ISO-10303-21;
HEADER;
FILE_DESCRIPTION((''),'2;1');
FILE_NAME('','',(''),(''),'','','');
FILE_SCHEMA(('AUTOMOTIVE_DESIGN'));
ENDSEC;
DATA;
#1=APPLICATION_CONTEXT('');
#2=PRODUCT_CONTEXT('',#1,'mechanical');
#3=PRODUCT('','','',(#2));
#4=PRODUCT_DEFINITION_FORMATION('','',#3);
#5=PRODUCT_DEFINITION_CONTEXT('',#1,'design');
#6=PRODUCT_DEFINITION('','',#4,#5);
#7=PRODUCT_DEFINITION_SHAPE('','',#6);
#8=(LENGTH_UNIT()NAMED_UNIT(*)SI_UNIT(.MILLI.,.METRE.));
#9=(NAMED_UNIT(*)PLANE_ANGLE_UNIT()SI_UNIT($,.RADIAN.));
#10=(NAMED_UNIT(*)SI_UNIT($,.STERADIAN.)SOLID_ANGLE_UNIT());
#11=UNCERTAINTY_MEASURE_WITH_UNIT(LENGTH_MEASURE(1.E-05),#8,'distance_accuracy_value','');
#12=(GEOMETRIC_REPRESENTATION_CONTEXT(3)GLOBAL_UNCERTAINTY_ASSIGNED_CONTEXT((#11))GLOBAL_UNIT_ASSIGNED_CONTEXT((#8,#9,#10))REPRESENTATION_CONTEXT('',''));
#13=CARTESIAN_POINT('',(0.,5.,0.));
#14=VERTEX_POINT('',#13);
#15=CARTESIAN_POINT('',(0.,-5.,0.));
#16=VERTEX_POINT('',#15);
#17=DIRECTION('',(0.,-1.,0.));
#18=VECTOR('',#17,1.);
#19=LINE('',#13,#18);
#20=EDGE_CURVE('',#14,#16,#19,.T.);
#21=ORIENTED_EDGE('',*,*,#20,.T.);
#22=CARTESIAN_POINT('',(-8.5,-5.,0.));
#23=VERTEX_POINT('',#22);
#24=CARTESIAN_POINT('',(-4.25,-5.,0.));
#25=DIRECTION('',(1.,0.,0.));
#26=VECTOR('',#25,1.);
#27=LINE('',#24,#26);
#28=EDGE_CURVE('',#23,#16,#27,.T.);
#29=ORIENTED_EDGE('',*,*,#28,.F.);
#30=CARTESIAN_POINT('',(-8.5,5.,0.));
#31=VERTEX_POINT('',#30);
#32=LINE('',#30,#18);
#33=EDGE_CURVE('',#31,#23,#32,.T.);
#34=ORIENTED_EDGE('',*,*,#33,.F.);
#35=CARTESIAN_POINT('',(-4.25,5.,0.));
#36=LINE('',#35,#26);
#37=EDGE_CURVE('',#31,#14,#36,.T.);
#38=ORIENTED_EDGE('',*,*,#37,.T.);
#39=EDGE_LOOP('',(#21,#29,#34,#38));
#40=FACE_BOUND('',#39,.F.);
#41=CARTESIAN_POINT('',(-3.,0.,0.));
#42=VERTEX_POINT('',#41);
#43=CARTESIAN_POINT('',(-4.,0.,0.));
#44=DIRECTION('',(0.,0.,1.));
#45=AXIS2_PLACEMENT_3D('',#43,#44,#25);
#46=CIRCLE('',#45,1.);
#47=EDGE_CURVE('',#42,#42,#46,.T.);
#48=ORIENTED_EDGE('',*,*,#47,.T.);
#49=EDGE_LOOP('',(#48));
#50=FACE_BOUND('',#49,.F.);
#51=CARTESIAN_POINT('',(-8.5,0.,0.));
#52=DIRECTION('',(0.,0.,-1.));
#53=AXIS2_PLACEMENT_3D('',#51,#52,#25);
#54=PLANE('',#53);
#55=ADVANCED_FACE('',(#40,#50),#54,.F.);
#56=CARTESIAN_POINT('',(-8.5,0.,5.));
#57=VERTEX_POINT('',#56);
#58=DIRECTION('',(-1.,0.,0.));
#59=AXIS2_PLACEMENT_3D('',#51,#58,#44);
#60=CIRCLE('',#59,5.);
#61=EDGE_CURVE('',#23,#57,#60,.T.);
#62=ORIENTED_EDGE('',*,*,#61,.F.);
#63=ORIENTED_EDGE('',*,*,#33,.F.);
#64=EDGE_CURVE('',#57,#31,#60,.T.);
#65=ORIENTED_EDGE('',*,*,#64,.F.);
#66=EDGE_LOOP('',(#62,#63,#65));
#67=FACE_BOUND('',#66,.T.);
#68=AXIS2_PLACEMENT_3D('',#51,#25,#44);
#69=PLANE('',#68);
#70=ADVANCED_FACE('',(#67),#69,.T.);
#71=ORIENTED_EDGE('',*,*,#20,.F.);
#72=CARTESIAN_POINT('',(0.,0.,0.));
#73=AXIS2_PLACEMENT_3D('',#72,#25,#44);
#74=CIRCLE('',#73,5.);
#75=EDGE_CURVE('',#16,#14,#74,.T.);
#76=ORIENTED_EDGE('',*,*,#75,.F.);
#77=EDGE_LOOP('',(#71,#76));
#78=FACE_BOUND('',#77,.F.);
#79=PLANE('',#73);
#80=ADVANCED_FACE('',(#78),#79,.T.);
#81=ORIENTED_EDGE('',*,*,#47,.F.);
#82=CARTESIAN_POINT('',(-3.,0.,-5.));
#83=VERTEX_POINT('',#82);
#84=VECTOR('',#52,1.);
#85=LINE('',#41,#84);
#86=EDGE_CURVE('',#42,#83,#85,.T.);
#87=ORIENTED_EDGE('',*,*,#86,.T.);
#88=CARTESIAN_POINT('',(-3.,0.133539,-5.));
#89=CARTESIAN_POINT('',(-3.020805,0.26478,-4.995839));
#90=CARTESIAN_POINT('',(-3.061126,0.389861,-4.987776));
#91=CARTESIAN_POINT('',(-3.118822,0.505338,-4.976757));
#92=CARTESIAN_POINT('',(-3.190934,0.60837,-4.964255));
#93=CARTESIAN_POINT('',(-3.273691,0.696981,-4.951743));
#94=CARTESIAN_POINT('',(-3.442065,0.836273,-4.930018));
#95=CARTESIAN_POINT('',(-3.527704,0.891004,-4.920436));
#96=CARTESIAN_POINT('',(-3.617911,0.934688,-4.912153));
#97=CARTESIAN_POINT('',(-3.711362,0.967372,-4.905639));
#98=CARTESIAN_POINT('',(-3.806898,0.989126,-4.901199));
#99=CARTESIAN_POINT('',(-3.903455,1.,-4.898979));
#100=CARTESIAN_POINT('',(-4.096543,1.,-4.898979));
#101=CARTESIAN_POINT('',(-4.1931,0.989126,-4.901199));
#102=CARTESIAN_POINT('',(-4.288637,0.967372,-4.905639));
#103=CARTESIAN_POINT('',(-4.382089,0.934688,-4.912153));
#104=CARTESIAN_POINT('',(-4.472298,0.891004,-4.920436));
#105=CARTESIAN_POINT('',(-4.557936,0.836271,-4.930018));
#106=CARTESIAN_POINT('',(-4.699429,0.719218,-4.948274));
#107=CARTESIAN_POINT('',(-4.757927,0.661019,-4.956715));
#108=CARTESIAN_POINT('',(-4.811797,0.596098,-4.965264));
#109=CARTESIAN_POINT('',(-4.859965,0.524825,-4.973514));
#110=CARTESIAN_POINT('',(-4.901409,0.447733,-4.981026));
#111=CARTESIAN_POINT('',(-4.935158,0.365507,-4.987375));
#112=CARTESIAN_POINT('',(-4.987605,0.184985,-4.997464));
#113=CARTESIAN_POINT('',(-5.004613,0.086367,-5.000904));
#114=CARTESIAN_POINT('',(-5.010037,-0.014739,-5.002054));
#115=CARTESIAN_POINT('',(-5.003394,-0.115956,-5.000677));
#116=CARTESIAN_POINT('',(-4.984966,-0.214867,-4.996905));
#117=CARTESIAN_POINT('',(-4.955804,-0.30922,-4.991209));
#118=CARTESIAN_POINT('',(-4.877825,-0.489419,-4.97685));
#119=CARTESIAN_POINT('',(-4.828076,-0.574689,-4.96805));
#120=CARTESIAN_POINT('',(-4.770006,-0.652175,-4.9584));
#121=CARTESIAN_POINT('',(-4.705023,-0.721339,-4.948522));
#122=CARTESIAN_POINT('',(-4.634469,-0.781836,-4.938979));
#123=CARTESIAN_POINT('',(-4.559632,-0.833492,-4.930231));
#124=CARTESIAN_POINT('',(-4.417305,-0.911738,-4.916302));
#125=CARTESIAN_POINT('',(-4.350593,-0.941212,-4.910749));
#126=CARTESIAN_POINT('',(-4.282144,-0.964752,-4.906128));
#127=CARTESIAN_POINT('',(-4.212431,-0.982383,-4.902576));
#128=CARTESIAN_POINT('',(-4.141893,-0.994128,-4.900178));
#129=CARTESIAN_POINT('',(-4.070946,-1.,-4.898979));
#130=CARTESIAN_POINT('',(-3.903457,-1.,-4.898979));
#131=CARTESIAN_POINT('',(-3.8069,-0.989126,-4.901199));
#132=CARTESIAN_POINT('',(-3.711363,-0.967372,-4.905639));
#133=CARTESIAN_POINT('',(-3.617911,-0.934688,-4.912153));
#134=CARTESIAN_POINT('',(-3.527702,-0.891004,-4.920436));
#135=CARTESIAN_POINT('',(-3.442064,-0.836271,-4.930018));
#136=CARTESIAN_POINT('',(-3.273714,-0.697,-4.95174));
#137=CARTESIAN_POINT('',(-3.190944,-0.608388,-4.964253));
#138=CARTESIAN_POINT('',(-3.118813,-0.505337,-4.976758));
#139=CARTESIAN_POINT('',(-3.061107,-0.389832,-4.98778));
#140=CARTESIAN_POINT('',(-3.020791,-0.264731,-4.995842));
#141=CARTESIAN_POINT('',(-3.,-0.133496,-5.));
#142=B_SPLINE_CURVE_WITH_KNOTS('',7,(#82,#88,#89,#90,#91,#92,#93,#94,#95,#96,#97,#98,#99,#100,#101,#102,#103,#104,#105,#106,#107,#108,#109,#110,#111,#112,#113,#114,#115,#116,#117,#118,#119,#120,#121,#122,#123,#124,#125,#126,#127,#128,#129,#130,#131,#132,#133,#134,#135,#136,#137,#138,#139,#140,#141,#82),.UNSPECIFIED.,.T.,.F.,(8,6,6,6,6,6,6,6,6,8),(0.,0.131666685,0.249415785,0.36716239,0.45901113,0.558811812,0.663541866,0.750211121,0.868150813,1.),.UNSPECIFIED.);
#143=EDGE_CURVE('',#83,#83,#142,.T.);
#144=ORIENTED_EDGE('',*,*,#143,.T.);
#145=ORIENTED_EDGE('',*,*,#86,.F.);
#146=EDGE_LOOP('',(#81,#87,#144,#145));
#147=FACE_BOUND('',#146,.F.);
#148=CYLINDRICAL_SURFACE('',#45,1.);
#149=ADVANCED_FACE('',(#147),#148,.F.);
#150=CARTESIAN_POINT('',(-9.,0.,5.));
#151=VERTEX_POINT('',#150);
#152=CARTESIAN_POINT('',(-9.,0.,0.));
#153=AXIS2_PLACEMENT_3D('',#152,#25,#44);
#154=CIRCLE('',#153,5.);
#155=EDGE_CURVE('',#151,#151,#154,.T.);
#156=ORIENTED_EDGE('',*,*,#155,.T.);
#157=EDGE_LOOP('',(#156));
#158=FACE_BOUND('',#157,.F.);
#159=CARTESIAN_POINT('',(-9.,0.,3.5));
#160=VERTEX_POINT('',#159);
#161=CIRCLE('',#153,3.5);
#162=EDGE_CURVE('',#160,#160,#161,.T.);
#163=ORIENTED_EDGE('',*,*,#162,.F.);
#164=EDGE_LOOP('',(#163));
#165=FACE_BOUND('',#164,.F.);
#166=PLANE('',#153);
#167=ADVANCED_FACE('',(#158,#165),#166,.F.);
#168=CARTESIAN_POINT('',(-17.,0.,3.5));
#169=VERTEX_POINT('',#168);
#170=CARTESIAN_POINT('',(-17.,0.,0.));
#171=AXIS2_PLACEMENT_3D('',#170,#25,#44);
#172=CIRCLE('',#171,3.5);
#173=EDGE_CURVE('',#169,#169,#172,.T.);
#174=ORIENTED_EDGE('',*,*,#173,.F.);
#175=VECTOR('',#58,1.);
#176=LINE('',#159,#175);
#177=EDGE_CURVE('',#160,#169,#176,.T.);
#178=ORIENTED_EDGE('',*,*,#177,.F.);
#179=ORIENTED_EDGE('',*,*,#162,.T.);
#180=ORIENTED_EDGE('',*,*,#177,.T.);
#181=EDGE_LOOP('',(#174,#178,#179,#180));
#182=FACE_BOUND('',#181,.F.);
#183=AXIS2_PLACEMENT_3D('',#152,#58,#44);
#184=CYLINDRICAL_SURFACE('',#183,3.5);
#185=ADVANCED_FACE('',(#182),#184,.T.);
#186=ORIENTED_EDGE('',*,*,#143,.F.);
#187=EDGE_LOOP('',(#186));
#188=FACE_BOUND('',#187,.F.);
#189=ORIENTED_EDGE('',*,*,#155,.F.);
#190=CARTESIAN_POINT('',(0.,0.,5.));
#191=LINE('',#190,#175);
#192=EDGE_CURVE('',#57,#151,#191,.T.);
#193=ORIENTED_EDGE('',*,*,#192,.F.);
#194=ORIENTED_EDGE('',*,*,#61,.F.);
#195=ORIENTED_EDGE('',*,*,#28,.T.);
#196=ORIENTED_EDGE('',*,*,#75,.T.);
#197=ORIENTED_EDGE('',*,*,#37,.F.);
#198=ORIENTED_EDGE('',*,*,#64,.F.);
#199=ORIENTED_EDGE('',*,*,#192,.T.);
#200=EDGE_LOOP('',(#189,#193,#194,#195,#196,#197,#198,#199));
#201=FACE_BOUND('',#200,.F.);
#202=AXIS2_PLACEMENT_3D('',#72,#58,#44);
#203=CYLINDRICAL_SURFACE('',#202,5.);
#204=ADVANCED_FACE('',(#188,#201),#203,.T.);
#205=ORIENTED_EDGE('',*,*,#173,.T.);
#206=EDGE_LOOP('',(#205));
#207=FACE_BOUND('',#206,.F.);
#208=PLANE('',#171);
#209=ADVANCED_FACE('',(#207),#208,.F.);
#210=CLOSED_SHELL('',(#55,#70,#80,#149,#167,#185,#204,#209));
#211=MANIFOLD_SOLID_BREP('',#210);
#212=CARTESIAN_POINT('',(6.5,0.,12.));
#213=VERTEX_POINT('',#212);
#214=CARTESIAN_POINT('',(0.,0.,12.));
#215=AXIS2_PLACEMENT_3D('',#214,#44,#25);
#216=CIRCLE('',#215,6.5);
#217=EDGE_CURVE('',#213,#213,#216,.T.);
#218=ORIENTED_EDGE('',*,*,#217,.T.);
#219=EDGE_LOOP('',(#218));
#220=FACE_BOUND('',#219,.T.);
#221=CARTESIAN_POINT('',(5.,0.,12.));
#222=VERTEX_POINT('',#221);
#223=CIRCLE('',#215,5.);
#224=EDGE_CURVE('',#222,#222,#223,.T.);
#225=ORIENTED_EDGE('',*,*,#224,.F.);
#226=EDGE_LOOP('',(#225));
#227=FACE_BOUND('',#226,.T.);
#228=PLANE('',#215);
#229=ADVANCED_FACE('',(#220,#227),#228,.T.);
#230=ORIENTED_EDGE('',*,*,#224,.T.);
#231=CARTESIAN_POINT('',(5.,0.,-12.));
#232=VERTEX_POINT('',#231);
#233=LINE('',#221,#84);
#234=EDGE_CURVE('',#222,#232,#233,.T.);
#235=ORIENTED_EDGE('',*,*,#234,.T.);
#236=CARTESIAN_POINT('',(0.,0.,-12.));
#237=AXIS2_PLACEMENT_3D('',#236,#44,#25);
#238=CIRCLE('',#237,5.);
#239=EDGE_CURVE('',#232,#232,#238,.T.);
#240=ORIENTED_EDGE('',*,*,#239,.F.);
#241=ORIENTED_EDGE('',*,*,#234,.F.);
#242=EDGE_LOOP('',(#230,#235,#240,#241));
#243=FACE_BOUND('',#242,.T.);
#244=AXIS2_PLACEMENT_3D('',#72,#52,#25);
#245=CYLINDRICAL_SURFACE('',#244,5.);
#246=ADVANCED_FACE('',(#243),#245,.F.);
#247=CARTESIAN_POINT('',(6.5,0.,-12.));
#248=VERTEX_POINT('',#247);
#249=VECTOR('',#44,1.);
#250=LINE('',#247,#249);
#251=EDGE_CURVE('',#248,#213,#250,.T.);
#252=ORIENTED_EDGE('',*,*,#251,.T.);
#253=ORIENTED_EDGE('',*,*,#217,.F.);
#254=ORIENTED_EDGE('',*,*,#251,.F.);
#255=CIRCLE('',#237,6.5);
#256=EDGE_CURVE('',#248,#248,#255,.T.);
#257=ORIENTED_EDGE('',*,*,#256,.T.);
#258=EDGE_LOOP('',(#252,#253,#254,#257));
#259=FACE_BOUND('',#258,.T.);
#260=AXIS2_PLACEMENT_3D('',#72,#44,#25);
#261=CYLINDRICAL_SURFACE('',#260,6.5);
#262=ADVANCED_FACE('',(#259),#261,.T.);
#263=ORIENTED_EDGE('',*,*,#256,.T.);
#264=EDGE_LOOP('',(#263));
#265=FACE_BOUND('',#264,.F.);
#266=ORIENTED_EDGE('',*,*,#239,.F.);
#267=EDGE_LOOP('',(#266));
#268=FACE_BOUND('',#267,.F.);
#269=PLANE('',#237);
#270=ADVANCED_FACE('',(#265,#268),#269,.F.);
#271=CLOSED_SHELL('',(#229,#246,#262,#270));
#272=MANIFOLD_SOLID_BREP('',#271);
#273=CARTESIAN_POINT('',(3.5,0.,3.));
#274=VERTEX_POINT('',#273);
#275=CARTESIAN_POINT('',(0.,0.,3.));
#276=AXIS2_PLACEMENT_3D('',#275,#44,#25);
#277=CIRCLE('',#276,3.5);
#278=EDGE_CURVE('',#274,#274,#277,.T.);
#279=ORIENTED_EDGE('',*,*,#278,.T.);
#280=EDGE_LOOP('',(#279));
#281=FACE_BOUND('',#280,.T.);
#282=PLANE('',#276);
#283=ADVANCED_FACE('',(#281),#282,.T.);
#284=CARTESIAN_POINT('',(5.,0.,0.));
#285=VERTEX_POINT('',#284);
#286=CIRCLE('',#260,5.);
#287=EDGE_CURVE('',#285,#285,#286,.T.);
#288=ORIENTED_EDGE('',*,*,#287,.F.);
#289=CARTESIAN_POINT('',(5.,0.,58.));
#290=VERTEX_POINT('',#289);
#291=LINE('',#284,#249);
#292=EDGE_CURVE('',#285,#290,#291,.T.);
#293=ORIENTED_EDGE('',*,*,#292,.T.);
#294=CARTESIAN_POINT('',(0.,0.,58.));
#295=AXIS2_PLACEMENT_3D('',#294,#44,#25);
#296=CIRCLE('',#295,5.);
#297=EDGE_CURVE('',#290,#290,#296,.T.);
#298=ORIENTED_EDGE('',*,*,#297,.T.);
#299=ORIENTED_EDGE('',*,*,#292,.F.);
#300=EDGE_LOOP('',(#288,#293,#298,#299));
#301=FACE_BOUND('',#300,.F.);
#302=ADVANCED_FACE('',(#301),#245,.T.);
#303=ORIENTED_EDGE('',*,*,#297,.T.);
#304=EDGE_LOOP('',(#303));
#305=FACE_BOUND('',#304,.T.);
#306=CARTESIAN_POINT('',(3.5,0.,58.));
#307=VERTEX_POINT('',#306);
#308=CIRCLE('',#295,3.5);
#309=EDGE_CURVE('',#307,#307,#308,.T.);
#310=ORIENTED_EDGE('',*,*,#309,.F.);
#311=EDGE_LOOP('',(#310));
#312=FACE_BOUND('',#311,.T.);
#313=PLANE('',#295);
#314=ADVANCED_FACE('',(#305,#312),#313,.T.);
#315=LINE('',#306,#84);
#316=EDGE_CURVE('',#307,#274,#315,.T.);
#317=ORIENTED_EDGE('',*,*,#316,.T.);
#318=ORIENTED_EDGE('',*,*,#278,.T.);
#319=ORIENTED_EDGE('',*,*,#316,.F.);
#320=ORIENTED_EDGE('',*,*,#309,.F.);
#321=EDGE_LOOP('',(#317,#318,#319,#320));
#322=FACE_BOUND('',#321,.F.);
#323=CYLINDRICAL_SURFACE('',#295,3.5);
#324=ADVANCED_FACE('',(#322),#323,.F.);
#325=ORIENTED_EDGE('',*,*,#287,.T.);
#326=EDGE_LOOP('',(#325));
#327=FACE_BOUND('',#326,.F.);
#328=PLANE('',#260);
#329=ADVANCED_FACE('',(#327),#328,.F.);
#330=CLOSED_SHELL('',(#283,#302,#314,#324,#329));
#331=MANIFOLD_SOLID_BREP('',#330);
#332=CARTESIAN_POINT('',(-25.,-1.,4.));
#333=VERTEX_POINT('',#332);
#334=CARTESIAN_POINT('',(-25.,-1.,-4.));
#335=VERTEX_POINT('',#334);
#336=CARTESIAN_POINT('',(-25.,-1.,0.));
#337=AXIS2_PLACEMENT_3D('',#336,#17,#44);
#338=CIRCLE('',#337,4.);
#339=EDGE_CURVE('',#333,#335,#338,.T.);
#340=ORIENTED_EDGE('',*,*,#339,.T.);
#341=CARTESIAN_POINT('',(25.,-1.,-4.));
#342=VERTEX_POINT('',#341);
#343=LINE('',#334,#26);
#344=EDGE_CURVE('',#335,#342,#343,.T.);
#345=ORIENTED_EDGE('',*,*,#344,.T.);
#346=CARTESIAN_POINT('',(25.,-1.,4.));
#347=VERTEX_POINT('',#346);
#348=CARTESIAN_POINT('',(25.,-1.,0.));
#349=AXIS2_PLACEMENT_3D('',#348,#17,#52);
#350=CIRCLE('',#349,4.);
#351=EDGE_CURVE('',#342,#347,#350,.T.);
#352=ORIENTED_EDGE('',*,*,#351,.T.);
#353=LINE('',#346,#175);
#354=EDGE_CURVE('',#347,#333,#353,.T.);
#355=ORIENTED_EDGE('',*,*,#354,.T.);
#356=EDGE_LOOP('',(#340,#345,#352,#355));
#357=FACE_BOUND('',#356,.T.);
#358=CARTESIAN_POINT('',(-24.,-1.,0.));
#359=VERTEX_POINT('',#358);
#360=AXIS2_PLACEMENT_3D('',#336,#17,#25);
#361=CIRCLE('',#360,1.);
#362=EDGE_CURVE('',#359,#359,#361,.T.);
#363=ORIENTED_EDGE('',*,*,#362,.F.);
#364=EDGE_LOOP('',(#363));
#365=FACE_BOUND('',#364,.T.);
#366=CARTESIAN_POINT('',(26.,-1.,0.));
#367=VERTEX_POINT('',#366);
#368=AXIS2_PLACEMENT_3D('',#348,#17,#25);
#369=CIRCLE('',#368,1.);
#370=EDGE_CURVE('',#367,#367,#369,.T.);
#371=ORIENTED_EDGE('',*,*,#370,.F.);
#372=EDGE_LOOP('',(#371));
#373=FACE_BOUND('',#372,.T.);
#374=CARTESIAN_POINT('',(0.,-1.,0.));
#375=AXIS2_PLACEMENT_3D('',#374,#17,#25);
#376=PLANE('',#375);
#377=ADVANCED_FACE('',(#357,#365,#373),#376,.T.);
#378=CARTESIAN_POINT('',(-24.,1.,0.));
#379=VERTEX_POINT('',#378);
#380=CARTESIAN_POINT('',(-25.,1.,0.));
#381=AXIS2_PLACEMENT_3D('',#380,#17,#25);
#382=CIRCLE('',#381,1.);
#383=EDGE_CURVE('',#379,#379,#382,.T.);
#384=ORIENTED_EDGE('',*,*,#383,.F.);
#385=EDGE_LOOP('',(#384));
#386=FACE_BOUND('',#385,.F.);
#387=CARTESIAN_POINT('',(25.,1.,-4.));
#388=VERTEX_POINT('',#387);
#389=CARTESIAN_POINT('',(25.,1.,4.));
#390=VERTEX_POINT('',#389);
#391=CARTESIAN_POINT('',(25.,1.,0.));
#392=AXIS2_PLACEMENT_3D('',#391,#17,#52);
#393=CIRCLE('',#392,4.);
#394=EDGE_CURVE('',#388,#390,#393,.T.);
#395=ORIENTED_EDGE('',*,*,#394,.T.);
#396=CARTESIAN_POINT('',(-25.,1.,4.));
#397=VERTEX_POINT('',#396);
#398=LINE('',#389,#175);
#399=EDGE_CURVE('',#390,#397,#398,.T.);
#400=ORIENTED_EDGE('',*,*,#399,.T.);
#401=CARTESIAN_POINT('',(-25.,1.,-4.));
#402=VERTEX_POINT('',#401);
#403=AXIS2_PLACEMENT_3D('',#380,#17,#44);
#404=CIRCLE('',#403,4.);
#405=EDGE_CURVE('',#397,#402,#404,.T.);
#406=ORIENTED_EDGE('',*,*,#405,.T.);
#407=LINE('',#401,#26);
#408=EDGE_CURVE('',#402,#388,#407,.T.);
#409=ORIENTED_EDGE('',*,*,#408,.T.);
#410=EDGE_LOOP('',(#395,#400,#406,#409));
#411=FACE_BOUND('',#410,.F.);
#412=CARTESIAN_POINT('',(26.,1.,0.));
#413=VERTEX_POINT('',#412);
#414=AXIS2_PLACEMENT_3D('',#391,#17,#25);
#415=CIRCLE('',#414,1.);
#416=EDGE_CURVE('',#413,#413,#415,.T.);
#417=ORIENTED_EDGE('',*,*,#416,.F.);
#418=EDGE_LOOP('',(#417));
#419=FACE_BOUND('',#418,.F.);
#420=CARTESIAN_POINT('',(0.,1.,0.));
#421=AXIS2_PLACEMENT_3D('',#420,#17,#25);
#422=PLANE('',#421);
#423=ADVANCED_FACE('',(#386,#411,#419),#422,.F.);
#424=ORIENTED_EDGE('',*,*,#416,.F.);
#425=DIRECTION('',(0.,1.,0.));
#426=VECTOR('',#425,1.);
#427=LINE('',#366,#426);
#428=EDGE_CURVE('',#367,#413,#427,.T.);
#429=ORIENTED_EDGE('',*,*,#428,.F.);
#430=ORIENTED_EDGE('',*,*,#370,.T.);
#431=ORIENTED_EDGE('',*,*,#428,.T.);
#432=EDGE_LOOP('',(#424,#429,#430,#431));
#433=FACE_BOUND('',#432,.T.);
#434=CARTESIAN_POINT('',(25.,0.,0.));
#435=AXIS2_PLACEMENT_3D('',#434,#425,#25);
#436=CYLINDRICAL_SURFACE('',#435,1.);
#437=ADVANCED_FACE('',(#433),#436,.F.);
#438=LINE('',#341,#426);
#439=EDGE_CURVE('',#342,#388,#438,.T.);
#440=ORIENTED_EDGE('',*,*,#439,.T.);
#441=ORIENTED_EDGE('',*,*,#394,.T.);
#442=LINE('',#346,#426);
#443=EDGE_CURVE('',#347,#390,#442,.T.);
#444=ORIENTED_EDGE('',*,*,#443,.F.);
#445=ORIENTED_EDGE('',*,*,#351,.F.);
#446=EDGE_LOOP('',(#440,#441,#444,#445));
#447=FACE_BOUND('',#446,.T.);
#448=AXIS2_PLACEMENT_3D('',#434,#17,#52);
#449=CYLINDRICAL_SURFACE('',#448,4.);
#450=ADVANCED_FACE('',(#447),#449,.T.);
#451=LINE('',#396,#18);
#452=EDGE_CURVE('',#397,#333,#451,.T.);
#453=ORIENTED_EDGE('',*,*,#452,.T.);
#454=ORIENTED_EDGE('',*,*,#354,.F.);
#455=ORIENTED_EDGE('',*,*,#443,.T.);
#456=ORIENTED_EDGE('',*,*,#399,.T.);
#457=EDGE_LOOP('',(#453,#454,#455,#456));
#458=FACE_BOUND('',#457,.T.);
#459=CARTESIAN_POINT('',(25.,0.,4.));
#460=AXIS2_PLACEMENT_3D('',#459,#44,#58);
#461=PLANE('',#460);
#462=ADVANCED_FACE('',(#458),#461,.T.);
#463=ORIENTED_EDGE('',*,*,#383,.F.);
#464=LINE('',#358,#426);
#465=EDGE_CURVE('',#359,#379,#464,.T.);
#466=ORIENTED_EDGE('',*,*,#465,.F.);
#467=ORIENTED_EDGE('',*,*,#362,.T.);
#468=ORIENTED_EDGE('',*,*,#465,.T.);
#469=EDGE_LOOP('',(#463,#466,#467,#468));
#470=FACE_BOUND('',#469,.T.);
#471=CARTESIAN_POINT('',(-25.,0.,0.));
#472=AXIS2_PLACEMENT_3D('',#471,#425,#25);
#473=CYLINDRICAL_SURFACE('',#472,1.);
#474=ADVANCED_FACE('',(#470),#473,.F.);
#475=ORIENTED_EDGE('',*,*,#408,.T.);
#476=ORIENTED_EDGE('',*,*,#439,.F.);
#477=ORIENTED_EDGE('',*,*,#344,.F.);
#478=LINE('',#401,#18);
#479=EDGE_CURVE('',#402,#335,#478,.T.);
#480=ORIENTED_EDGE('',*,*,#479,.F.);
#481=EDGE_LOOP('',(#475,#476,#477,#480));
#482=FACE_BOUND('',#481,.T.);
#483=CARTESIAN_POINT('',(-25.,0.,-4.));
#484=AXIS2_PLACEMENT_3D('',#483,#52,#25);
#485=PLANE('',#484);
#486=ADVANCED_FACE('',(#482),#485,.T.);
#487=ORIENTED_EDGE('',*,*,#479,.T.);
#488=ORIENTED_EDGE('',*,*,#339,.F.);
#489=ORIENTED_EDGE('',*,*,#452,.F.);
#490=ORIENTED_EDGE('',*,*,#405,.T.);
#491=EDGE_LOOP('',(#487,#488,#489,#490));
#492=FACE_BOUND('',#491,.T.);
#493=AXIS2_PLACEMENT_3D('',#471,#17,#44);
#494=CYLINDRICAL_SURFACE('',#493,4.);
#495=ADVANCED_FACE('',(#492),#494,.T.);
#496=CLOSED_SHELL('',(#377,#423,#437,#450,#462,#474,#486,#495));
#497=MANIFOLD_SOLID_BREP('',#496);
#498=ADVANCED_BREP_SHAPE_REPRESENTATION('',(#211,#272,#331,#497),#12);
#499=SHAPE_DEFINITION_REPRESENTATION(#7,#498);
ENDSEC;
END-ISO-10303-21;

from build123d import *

# Parameters (mm, degrees)
F0_R      = 5
F1_DEPTH  = 58
F2_R      = 3.5
F3_DEPTH  = 55
F4_R      = 1
F5_DEPTH  = 1
F8_W      = 8.5
F8_H      = 6
F9_DEPTH  = 5
F10_R     = 1
F11_DEPTH = 5.001
F12_R     = 6.5
F12_R_2   = 5
F13_DEPTH = 12


with BuildPart() as f1:
    # F0 (on Top) → F1 (new body)
    with BuildSketch(Plane.XY):
        Circle(F0_R)
    extrude(amount=F1_DEPTH)

    # F2 (on face) → F3 (cut)
    with BuildSketch(Plane.XY.offset(58)):
        Circle(F2_R)
    extrude(amount=-F3_DEPTH, mode=Mode.SUBTRACT)


with BuildPart() as f5:
    # F4 (on Front) → F5 (new body, symmetric)
    with BuildSketch(Plane.XZ):
        with BuildLine():
            Line((25, 4), (-25, 4))
            ThreePointArc((-25, 4), (-29, 0), (-25, -4))
            Line((-25, -4), (25, -4))
            ThreePointArc((25, -4), (29, 0), (25, 4))
        make_face()
        with Locations((-25, 0)):
            Circle(F4_R, mode=Mode.SUBTRACT)
        with Locations((25, 0)):
            Circle(F4_R, mode=Mode.SUBTRACT)
    extrude(amount=F5_DEPTH, both=True)


with BuildPart() as f7:
    # F6 (on Front) → F7 (revolve)
    with BuildSketch(Plane.XZ):
        Polygon((-17, 0), (0, 0), (0, 5), (-9, 5), (-9, 3.5), (-17, 3.5), align=None)
    revolve(axis=Axis((-8.5, 0, 0), (1, 0, 0)))

    # F8 (on Front) → F9 (cut, symmetric)
    with BuildSketch(Plane.XZ):
        with Locations((-4.25, 3)):
            Rectangle(F8_W, F8_H)
    extrude(amount=F9_DEPTH, both=True, mode=Mode.SUBTRACT)

    # F10 (on face) → F11 (cut, through all)
    with BuildSketch(Plane.XY):
        with Locations((-4, 0)):
            Circle(F10_R)
    extrude(amount=-F11_DEPTH, mode=Mode.SUBTRACT)


with BuildPart() as f13:
    # F12 (on Top) → F13 (new body, symmetric)
    with BuildSketch(Plane.XY):
        Circle(F12_R)
        Circle(F12_R_2, mode=Mode.SUBTRACT)
    extrude(amount=F13_DEPTH, both=True)


solid = Compound([f1.part, f5.part, f7.part, f13.part])
